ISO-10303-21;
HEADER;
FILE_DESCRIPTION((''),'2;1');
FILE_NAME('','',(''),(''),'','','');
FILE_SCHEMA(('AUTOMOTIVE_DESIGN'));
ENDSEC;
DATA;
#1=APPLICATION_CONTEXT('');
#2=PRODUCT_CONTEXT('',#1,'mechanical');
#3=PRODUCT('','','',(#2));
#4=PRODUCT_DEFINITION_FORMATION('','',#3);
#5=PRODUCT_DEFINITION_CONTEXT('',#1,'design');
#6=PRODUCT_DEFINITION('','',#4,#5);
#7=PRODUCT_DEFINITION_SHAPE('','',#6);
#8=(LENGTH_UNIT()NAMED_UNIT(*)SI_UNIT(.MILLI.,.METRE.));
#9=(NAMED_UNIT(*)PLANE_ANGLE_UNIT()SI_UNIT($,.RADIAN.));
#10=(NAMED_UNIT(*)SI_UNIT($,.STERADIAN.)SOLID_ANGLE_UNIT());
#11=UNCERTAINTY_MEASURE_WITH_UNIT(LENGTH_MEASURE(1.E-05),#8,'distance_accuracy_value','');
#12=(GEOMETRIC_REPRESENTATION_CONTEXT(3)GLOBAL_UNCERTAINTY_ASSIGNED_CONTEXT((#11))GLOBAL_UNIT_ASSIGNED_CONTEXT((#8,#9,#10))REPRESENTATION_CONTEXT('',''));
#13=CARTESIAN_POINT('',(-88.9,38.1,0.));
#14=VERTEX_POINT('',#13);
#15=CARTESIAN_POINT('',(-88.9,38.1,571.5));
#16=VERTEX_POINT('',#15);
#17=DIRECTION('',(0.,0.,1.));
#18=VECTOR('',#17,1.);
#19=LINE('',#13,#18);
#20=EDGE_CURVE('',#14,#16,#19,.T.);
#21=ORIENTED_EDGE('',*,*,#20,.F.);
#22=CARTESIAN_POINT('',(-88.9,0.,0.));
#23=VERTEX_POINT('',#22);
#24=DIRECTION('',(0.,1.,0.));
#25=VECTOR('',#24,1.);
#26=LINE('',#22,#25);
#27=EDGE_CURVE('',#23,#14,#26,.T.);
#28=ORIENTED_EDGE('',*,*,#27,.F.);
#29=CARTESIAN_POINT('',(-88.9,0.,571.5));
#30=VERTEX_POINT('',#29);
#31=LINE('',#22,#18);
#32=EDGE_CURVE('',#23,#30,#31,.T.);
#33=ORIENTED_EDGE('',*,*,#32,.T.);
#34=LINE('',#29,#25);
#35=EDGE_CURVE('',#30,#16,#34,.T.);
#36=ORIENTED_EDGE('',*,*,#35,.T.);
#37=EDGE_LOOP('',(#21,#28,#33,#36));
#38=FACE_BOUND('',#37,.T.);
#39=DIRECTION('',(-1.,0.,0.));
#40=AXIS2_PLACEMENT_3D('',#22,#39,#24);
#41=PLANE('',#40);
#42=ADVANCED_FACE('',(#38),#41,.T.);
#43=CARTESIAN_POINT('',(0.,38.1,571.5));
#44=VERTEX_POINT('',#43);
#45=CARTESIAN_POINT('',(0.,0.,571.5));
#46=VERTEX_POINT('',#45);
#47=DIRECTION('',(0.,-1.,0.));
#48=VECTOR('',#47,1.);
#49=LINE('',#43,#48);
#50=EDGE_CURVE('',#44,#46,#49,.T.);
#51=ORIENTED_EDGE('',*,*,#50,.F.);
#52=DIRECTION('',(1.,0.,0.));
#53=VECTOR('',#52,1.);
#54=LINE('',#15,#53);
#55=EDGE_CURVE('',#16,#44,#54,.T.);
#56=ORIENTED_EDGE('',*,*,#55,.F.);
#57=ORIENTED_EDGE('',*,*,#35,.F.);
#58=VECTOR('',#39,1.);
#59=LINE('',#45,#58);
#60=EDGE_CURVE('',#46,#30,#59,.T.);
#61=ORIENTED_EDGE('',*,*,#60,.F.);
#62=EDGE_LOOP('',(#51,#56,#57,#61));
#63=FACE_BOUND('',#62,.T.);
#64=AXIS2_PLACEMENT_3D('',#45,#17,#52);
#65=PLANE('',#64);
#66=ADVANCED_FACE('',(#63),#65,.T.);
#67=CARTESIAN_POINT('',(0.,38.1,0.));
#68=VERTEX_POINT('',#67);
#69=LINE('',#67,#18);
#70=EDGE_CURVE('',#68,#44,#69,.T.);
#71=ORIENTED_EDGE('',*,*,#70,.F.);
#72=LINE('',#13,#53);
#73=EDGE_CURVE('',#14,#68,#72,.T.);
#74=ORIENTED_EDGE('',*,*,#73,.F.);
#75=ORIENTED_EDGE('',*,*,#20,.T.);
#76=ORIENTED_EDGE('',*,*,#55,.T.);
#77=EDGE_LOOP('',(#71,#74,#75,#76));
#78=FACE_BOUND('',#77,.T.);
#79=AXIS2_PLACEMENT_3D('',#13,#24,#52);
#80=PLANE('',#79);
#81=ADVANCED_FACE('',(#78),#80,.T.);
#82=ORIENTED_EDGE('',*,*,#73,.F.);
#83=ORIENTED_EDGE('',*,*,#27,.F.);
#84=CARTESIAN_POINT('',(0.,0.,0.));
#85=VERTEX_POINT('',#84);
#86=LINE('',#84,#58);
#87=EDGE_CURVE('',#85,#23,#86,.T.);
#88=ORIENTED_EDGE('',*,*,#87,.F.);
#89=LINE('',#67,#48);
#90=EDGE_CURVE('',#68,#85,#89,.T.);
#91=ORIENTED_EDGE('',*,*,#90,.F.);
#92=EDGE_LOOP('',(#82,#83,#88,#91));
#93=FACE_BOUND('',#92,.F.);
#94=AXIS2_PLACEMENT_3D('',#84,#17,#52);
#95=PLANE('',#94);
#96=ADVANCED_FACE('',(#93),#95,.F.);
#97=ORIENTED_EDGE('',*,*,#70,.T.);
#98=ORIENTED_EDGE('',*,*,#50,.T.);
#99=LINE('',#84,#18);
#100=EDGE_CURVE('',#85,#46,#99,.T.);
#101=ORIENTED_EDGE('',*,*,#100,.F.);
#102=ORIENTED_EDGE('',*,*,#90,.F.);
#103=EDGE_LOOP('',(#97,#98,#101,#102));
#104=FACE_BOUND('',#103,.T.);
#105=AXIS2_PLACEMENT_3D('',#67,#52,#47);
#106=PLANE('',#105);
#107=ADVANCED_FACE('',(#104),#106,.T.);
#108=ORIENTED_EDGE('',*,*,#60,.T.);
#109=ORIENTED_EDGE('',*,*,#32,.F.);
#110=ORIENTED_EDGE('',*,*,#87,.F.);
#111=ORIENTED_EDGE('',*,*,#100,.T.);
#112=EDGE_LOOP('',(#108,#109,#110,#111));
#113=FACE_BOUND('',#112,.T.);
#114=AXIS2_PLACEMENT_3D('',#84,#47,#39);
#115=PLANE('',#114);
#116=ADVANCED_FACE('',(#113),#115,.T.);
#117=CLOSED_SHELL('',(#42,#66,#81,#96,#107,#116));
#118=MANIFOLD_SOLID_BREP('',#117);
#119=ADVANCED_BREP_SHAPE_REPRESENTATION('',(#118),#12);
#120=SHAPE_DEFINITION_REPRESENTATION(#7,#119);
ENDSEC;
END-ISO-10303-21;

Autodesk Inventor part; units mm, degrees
ref_plane "YZ Plane" through (0, 0, 0) normal (1, 0, 0) x (0, 1, 0)
ref_plane "XZ Plane" through (0, 0, 0) normal (0, 1, 0) x (-1, 0, 0)
ref_plane "XY Plane" through (0, 0, 0) normal (0, 0, 1) x (1, 0, 0)
sketch "Sketch1" plane through (0, 0, 0) normal (0, 0, 1) x (1, 0, 0)
  line L0 (0, 0) -> (-88.9, 0)
  line L1 (-88.9, 0) -> (-88.9, 38.1)
  line L2 (-88.9, 38.1) -> (0, 38.1)
  line L3 (0, 38.1) -> (0, 0)
  dimension "d0" = 88.9
  dimension "d1" = 38.1
extrude "Extrusion1" add sketch "Sketch1" along normal blind 571.5
properties part number "L Extention Support Lower Piece"
